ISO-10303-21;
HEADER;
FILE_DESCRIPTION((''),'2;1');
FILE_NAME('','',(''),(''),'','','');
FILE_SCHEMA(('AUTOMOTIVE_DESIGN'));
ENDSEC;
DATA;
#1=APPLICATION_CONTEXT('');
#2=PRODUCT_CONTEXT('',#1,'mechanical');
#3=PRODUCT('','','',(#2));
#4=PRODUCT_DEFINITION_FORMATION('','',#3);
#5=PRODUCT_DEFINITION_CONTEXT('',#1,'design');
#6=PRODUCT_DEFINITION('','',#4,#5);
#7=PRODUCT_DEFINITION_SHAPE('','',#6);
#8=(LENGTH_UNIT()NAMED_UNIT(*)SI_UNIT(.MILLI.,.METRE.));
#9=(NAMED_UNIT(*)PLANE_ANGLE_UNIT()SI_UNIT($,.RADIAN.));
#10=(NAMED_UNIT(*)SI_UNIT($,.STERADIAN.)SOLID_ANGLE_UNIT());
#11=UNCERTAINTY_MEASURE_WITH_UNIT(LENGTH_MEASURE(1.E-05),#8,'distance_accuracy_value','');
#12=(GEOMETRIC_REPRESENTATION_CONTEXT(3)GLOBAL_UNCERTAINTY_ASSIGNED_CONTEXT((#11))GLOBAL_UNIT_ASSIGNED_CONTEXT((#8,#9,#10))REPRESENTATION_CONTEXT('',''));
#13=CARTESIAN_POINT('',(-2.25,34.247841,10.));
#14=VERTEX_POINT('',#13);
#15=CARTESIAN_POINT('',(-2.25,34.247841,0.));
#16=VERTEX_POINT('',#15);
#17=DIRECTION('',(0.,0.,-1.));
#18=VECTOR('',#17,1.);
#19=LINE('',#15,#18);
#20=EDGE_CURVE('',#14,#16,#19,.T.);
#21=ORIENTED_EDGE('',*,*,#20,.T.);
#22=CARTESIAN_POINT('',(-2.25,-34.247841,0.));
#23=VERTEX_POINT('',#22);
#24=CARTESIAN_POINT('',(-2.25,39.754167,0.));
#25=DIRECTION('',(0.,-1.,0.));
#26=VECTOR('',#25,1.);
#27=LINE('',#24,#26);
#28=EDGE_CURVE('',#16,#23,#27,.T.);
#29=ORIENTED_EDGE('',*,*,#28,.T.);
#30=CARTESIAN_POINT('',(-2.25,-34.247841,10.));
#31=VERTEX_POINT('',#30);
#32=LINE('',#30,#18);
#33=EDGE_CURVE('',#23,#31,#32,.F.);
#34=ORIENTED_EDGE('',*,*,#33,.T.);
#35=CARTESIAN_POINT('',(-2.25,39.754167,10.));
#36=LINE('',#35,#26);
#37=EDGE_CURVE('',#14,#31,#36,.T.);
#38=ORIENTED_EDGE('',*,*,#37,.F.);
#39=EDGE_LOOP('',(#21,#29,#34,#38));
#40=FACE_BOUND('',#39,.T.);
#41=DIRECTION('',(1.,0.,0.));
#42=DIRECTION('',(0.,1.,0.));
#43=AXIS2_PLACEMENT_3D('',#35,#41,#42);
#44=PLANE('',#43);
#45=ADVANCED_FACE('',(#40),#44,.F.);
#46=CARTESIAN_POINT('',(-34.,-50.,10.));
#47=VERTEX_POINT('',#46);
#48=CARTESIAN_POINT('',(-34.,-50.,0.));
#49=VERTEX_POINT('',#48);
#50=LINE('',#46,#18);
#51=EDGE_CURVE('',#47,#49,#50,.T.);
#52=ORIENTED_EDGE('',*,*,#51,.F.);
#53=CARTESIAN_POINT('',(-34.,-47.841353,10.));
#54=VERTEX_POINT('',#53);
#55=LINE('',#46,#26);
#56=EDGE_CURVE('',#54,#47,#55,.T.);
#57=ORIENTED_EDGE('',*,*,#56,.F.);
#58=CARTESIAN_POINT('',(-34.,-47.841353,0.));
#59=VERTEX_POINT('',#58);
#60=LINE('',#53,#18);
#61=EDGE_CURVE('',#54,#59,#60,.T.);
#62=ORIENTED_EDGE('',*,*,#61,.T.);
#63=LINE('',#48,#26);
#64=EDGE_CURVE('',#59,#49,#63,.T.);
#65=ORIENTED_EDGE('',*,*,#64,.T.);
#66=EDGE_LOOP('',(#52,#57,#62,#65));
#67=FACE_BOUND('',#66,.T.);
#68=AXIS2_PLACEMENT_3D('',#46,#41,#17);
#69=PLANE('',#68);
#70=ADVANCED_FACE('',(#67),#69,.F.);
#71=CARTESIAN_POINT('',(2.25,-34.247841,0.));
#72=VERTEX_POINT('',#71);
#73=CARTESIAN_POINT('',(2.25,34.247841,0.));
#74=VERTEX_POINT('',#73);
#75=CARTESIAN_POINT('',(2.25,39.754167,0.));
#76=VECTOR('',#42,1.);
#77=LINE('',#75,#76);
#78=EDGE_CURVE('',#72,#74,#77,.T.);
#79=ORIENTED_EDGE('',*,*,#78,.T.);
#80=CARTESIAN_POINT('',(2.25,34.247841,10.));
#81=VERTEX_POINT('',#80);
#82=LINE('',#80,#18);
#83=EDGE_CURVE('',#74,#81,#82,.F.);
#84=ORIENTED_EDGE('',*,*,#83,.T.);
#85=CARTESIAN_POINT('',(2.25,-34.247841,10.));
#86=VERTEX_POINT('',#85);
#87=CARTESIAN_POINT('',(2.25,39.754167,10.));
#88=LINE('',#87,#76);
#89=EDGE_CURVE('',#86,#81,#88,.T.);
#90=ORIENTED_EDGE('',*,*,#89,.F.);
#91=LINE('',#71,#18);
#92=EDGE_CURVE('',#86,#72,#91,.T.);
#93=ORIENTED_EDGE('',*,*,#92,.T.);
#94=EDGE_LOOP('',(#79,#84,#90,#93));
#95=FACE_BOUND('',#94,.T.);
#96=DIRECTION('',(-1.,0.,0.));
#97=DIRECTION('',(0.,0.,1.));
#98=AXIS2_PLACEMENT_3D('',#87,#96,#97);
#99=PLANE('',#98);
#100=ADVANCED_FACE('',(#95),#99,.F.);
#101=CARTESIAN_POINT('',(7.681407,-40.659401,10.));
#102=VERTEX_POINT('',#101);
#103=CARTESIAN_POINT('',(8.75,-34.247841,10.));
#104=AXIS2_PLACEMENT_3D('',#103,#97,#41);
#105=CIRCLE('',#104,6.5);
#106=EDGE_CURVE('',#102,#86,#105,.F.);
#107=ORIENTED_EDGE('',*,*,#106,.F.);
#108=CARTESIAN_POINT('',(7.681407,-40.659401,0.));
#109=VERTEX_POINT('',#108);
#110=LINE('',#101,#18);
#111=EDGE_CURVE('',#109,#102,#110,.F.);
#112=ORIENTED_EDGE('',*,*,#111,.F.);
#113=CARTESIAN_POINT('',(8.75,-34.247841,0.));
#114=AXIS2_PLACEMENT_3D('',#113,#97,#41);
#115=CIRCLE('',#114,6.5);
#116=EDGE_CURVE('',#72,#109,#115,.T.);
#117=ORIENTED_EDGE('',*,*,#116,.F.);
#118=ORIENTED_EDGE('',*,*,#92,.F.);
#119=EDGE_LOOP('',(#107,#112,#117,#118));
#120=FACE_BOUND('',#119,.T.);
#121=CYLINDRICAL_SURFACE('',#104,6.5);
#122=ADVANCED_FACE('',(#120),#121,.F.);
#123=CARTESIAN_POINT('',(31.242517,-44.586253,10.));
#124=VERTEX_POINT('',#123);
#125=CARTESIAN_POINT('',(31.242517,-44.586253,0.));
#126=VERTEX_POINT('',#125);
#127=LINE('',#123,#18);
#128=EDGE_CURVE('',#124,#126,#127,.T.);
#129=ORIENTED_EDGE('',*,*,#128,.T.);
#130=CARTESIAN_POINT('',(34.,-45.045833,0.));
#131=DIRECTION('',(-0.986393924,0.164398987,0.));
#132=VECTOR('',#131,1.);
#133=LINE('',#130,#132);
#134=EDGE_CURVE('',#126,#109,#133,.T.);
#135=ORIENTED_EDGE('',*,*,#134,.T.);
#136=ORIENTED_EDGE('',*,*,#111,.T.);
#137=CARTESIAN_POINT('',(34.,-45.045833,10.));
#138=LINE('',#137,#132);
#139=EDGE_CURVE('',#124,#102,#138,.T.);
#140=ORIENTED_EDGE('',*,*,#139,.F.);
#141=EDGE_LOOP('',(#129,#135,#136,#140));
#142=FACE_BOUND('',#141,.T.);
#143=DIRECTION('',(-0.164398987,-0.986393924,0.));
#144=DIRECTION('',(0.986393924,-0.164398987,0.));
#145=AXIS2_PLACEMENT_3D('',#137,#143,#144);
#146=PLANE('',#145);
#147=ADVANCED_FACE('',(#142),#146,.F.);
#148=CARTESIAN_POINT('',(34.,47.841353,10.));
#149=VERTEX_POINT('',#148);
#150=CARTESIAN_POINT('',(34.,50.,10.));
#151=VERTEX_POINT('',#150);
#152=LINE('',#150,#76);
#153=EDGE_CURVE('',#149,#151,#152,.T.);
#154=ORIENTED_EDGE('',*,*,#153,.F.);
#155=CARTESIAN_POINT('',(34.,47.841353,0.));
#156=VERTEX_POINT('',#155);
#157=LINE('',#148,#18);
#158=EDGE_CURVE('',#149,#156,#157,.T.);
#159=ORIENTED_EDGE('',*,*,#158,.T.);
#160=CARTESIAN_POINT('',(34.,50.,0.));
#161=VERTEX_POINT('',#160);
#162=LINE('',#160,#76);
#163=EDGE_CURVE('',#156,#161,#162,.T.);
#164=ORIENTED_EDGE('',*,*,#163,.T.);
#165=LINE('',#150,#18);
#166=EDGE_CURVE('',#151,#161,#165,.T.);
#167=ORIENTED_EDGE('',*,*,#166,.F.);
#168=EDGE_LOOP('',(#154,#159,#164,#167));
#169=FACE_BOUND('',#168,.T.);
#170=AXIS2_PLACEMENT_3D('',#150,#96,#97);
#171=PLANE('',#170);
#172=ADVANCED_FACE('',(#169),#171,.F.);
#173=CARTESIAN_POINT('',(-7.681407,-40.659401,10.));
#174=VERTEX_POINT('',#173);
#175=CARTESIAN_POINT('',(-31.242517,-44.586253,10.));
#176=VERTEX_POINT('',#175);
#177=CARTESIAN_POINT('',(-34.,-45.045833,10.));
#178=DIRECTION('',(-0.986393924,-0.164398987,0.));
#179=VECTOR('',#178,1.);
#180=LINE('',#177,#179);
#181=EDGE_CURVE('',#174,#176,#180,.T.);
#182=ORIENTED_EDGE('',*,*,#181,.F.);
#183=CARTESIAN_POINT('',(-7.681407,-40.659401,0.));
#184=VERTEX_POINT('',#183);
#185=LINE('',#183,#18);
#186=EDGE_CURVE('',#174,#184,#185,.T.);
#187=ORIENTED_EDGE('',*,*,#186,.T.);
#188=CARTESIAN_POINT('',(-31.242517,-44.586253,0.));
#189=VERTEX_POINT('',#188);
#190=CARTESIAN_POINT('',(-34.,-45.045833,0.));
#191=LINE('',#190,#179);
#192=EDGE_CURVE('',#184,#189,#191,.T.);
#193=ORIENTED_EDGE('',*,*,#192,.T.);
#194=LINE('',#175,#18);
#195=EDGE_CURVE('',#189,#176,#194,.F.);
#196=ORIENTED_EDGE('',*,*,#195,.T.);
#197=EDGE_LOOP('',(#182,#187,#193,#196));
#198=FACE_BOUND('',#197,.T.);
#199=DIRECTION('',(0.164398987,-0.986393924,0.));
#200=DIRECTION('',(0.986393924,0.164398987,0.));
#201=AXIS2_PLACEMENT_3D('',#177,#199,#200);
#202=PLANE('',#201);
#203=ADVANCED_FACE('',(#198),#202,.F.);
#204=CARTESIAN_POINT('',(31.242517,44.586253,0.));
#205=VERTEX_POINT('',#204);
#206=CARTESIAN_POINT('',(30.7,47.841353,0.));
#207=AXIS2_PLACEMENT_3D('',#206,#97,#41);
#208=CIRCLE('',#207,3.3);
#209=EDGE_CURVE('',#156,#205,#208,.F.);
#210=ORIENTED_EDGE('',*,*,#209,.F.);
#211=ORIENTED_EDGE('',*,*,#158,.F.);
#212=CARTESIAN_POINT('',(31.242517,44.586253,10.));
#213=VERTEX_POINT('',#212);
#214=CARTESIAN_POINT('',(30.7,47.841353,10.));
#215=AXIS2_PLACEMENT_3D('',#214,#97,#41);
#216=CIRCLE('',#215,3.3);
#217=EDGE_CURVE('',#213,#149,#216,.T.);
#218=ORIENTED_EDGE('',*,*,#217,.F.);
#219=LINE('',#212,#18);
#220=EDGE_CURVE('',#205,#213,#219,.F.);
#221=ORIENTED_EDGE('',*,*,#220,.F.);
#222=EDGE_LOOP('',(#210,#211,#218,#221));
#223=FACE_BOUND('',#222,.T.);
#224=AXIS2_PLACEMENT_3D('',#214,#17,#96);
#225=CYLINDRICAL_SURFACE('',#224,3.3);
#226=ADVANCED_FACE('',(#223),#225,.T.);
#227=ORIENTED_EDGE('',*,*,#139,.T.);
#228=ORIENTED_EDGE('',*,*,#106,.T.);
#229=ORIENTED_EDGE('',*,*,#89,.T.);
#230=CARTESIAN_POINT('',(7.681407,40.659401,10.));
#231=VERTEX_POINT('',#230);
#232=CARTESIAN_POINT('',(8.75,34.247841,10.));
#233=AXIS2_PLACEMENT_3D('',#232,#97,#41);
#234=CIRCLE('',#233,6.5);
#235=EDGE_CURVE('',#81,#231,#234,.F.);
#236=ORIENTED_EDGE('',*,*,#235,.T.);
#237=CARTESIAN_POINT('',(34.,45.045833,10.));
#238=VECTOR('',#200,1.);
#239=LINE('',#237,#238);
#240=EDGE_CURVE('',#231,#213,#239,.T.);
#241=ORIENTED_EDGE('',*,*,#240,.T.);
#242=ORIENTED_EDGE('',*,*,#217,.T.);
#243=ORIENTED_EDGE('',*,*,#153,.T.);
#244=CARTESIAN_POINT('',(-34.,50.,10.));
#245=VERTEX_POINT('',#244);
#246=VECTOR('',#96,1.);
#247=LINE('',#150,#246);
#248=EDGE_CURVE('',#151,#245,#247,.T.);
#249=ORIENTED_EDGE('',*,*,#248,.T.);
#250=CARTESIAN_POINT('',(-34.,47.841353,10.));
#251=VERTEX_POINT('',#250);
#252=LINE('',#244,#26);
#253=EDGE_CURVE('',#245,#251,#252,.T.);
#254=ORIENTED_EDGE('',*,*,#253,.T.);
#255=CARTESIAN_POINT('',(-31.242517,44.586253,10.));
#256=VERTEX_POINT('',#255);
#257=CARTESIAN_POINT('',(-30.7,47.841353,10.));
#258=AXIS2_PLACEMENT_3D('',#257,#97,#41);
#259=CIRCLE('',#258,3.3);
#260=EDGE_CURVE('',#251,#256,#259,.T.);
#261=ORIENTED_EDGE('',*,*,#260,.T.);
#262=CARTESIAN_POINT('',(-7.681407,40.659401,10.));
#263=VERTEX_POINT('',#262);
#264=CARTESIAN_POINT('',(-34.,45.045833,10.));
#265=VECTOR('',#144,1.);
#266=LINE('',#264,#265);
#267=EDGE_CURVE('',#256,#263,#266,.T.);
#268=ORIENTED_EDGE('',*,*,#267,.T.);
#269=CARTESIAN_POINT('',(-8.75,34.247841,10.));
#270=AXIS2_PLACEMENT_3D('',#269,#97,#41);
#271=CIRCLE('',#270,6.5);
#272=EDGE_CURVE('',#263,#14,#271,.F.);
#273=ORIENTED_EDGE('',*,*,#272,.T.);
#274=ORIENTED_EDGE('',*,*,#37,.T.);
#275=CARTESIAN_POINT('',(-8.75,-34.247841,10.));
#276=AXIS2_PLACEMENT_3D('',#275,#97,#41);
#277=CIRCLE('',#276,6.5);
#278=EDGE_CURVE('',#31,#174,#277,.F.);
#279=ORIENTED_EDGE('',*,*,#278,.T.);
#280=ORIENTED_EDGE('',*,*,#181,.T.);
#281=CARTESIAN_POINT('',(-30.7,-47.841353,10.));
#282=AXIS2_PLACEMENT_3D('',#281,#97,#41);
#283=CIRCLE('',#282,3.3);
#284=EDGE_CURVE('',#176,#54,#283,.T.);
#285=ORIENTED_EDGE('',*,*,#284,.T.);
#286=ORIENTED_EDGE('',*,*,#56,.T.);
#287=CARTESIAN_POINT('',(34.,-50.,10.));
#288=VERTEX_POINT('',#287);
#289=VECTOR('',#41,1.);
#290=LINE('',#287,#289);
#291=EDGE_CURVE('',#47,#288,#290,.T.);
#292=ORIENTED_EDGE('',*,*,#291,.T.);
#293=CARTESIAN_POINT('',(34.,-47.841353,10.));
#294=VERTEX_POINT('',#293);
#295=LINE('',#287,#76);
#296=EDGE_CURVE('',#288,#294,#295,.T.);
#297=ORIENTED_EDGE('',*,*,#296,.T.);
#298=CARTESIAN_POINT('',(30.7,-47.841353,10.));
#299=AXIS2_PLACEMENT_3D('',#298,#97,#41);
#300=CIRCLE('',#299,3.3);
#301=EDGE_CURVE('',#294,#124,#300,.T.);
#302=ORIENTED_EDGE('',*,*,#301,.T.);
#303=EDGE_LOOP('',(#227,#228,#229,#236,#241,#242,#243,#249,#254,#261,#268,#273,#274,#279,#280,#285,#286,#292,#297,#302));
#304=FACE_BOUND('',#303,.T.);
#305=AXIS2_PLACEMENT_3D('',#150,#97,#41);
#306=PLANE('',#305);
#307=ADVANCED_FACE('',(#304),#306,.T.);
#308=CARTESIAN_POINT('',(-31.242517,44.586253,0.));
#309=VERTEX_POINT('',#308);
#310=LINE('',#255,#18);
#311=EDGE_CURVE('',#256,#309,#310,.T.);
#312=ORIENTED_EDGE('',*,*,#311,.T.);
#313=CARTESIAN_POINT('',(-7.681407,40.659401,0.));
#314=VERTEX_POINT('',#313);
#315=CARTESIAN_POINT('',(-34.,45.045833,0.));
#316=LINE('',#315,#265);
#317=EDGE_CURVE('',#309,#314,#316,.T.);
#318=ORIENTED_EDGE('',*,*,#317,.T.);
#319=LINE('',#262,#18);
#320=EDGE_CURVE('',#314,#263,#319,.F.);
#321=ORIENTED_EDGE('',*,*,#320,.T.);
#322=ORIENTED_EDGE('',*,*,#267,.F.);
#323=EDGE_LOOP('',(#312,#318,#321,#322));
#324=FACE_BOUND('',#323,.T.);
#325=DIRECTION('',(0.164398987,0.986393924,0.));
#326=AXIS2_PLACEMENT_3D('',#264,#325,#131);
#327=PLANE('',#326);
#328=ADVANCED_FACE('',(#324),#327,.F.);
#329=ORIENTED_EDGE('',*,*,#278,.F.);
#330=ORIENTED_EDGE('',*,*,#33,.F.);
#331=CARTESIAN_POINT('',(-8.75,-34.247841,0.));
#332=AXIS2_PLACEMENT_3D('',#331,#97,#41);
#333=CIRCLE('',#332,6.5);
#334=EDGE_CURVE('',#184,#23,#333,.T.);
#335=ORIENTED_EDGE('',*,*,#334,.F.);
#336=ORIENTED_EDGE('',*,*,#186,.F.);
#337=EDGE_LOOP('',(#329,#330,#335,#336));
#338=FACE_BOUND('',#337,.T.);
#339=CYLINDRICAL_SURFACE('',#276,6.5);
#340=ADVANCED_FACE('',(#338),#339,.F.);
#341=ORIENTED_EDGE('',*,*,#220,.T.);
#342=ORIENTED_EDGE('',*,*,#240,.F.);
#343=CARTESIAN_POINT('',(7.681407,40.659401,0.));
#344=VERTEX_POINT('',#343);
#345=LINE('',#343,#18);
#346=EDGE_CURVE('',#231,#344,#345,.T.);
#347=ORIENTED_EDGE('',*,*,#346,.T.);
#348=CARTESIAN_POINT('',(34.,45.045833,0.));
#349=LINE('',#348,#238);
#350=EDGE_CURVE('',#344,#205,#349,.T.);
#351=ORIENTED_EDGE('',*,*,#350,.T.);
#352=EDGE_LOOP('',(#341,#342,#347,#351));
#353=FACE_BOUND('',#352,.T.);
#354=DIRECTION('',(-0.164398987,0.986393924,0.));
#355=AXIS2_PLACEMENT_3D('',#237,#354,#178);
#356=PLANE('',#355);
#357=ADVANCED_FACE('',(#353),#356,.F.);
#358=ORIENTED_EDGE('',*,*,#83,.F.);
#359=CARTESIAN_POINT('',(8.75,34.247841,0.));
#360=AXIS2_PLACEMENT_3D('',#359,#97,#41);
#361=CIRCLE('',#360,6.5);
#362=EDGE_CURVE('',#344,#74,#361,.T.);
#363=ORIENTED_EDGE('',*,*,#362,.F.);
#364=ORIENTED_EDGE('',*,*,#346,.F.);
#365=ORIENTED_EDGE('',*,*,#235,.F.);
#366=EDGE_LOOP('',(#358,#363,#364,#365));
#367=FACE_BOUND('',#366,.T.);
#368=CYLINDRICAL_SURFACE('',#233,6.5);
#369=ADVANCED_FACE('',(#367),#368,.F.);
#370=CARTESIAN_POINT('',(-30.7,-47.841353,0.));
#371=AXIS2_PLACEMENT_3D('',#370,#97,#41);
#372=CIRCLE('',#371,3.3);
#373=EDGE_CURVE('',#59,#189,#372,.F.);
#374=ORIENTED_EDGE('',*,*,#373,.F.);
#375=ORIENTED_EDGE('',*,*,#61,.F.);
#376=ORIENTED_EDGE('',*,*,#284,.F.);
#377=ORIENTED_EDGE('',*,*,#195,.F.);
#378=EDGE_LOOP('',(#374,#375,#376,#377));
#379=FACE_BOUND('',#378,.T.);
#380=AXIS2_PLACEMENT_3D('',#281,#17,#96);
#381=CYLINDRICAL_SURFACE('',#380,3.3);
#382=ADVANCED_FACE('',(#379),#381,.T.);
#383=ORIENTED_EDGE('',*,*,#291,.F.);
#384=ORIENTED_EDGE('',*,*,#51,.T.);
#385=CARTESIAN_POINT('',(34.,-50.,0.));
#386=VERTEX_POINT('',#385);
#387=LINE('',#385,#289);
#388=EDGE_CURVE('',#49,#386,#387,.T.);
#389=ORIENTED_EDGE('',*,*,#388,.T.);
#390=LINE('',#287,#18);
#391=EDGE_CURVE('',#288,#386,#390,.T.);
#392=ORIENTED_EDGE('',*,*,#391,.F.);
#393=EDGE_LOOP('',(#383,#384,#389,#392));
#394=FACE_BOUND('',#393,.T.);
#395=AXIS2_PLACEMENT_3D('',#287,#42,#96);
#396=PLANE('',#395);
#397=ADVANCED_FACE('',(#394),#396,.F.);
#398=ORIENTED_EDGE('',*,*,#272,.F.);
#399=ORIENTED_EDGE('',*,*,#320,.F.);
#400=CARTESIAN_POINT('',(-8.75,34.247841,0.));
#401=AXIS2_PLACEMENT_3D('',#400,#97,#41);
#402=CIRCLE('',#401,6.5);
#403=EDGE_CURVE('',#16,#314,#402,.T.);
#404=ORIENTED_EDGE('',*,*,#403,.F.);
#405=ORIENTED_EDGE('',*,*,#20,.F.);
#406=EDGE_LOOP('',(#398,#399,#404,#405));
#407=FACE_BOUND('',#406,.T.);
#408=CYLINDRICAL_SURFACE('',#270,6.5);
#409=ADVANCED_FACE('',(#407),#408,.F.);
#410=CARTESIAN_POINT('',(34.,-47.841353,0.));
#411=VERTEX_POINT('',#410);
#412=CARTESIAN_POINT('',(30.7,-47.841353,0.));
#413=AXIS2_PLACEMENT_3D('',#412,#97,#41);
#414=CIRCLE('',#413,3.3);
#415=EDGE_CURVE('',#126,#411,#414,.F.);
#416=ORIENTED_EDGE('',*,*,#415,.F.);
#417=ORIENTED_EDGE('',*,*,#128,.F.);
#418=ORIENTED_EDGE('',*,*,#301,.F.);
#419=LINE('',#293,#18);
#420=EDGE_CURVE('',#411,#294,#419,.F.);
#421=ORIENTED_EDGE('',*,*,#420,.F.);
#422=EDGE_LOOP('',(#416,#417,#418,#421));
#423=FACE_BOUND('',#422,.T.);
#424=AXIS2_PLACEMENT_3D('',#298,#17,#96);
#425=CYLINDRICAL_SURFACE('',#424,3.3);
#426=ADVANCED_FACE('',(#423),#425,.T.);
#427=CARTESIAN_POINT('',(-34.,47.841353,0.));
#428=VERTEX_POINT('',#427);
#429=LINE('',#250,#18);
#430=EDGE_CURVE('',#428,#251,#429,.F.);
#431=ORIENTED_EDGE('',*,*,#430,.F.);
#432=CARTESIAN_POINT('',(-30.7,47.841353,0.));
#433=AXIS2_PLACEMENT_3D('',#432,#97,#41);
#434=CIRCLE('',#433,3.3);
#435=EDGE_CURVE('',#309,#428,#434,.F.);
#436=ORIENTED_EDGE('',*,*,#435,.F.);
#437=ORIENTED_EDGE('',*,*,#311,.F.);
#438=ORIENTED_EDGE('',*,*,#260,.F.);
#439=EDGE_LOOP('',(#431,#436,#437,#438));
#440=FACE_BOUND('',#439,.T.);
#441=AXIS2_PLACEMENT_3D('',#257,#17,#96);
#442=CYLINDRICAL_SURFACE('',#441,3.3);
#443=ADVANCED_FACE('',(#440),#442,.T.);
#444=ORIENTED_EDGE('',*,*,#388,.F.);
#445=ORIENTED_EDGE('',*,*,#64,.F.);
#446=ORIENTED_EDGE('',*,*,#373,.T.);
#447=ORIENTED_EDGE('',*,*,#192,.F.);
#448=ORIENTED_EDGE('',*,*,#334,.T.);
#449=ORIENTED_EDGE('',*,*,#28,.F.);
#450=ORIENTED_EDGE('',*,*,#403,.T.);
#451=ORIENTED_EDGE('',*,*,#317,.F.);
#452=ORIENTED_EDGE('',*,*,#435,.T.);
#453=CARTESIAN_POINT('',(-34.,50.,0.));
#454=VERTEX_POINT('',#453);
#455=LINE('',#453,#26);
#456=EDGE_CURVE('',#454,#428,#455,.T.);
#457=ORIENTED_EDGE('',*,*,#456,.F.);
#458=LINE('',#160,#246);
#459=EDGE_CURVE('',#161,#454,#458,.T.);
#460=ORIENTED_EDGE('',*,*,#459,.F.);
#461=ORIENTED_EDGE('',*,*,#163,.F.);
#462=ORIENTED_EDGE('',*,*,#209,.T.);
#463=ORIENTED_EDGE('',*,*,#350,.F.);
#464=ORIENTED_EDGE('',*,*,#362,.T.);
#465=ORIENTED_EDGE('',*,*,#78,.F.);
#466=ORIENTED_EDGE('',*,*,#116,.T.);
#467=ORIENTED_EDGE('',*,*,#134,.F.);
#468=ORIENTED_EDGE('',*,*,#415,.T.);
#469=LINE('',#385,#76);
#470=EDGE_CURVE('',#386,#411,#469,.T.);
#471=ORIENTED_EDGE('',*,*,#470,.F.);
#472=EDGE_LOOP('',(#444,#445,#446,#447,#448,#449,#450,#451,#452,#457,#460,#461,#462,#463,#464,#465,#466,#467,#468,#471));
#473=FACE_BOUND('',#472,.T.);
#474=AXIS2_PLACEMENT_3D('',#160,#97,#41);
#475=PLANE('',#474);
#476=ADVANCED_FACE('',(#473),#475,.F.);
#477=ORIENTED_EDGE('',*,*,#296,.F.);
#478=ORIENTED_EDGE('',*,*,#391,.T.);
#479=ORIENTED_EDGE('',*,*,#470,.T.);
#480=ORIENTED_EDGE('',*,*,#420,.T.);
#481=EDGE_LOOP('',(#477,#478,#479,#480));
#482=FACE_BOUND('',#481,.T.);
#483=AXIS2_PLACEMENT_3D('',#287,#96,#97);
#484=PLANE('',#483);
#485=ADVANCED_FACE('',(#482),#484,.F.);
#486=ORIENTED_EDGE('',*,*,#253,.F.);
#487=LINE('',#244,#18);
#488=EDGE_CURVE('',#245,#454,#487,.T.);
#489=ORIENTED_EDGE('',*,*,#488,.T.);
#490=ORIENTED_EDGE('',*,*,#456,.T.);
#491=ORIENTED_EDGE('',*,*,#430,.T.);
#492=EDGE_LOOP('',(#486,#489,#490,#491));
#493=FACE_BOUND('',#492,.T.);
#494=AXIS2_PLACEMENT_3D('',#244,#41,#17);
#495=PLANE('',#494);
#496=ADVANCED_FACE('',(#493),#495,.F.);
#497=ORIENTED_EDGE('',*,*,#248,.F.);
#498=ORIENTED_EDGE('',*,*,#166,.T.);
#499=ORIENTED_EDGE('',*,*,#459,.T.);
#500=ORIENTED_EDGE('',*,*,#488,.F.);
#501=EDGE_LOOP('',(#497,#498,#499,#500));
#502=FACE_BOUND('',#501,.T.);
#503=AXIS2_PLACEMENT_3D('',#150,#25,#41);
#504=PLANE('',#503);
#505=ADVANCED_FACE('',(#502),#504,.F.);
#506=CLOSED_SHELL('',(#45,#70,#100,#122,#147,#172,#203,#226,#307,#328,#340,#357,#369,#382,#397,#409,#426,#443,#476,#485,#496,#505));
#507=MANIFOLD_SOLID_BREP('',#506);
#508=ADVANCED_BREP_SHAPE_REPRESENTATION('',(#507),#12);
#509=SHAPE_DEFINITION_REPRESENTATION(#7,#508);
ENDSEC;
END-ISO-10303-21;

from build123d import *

# Parameters (mm, degrees)
EXTRUDE_1_DEPTH = 10
FILLET_1_R      = 3.3
FILLET_2_R      = 6.5


with BuildPart() as part:
    # 草图1 → 凸台-拉伸1 (new body)
    with BuildSketch(Plane.XY):
        Polygon((34, 50), (-34, 50), (-34, 45.045833333), (-2.25, 39.754166667), (-2.25, -39.754166667), (-34, -45.045833333), (-34, -50), (34, -50), (34, -45.045833333), (2.25, -39.754166667), (2.25, 39.754166667), (34, 45.045833333), align=None)
    extrude(amount=EXTRUDE_1_DEPTH)

    # 圆角1
    fillet_1_edges = [part.edges().sort_by_distance(p)[0] for p in [
        (-34, -45.045833333, 5),
        (-34, 45.045833333, 5),
        (34, 45.045833333, 5),
        (34, -45.045833333, 5),
    ]]
    fillet(fillet_1_edges, radius=FILLET_1_R)

    # 圆角2
    fillet_2_edges = [part.edges().sort_by_distance(p)[0] for p in [
        (-2.25, -39.754166667, 5),
        (-2.25, 39.754166667, 5),
        (2.25, 39.754166667, 5),
        (2.25, -39.754166667, 5),
    ]]
    fillet(fillet_2_edges, radius=FILLET_2_R)


solid = part.part
